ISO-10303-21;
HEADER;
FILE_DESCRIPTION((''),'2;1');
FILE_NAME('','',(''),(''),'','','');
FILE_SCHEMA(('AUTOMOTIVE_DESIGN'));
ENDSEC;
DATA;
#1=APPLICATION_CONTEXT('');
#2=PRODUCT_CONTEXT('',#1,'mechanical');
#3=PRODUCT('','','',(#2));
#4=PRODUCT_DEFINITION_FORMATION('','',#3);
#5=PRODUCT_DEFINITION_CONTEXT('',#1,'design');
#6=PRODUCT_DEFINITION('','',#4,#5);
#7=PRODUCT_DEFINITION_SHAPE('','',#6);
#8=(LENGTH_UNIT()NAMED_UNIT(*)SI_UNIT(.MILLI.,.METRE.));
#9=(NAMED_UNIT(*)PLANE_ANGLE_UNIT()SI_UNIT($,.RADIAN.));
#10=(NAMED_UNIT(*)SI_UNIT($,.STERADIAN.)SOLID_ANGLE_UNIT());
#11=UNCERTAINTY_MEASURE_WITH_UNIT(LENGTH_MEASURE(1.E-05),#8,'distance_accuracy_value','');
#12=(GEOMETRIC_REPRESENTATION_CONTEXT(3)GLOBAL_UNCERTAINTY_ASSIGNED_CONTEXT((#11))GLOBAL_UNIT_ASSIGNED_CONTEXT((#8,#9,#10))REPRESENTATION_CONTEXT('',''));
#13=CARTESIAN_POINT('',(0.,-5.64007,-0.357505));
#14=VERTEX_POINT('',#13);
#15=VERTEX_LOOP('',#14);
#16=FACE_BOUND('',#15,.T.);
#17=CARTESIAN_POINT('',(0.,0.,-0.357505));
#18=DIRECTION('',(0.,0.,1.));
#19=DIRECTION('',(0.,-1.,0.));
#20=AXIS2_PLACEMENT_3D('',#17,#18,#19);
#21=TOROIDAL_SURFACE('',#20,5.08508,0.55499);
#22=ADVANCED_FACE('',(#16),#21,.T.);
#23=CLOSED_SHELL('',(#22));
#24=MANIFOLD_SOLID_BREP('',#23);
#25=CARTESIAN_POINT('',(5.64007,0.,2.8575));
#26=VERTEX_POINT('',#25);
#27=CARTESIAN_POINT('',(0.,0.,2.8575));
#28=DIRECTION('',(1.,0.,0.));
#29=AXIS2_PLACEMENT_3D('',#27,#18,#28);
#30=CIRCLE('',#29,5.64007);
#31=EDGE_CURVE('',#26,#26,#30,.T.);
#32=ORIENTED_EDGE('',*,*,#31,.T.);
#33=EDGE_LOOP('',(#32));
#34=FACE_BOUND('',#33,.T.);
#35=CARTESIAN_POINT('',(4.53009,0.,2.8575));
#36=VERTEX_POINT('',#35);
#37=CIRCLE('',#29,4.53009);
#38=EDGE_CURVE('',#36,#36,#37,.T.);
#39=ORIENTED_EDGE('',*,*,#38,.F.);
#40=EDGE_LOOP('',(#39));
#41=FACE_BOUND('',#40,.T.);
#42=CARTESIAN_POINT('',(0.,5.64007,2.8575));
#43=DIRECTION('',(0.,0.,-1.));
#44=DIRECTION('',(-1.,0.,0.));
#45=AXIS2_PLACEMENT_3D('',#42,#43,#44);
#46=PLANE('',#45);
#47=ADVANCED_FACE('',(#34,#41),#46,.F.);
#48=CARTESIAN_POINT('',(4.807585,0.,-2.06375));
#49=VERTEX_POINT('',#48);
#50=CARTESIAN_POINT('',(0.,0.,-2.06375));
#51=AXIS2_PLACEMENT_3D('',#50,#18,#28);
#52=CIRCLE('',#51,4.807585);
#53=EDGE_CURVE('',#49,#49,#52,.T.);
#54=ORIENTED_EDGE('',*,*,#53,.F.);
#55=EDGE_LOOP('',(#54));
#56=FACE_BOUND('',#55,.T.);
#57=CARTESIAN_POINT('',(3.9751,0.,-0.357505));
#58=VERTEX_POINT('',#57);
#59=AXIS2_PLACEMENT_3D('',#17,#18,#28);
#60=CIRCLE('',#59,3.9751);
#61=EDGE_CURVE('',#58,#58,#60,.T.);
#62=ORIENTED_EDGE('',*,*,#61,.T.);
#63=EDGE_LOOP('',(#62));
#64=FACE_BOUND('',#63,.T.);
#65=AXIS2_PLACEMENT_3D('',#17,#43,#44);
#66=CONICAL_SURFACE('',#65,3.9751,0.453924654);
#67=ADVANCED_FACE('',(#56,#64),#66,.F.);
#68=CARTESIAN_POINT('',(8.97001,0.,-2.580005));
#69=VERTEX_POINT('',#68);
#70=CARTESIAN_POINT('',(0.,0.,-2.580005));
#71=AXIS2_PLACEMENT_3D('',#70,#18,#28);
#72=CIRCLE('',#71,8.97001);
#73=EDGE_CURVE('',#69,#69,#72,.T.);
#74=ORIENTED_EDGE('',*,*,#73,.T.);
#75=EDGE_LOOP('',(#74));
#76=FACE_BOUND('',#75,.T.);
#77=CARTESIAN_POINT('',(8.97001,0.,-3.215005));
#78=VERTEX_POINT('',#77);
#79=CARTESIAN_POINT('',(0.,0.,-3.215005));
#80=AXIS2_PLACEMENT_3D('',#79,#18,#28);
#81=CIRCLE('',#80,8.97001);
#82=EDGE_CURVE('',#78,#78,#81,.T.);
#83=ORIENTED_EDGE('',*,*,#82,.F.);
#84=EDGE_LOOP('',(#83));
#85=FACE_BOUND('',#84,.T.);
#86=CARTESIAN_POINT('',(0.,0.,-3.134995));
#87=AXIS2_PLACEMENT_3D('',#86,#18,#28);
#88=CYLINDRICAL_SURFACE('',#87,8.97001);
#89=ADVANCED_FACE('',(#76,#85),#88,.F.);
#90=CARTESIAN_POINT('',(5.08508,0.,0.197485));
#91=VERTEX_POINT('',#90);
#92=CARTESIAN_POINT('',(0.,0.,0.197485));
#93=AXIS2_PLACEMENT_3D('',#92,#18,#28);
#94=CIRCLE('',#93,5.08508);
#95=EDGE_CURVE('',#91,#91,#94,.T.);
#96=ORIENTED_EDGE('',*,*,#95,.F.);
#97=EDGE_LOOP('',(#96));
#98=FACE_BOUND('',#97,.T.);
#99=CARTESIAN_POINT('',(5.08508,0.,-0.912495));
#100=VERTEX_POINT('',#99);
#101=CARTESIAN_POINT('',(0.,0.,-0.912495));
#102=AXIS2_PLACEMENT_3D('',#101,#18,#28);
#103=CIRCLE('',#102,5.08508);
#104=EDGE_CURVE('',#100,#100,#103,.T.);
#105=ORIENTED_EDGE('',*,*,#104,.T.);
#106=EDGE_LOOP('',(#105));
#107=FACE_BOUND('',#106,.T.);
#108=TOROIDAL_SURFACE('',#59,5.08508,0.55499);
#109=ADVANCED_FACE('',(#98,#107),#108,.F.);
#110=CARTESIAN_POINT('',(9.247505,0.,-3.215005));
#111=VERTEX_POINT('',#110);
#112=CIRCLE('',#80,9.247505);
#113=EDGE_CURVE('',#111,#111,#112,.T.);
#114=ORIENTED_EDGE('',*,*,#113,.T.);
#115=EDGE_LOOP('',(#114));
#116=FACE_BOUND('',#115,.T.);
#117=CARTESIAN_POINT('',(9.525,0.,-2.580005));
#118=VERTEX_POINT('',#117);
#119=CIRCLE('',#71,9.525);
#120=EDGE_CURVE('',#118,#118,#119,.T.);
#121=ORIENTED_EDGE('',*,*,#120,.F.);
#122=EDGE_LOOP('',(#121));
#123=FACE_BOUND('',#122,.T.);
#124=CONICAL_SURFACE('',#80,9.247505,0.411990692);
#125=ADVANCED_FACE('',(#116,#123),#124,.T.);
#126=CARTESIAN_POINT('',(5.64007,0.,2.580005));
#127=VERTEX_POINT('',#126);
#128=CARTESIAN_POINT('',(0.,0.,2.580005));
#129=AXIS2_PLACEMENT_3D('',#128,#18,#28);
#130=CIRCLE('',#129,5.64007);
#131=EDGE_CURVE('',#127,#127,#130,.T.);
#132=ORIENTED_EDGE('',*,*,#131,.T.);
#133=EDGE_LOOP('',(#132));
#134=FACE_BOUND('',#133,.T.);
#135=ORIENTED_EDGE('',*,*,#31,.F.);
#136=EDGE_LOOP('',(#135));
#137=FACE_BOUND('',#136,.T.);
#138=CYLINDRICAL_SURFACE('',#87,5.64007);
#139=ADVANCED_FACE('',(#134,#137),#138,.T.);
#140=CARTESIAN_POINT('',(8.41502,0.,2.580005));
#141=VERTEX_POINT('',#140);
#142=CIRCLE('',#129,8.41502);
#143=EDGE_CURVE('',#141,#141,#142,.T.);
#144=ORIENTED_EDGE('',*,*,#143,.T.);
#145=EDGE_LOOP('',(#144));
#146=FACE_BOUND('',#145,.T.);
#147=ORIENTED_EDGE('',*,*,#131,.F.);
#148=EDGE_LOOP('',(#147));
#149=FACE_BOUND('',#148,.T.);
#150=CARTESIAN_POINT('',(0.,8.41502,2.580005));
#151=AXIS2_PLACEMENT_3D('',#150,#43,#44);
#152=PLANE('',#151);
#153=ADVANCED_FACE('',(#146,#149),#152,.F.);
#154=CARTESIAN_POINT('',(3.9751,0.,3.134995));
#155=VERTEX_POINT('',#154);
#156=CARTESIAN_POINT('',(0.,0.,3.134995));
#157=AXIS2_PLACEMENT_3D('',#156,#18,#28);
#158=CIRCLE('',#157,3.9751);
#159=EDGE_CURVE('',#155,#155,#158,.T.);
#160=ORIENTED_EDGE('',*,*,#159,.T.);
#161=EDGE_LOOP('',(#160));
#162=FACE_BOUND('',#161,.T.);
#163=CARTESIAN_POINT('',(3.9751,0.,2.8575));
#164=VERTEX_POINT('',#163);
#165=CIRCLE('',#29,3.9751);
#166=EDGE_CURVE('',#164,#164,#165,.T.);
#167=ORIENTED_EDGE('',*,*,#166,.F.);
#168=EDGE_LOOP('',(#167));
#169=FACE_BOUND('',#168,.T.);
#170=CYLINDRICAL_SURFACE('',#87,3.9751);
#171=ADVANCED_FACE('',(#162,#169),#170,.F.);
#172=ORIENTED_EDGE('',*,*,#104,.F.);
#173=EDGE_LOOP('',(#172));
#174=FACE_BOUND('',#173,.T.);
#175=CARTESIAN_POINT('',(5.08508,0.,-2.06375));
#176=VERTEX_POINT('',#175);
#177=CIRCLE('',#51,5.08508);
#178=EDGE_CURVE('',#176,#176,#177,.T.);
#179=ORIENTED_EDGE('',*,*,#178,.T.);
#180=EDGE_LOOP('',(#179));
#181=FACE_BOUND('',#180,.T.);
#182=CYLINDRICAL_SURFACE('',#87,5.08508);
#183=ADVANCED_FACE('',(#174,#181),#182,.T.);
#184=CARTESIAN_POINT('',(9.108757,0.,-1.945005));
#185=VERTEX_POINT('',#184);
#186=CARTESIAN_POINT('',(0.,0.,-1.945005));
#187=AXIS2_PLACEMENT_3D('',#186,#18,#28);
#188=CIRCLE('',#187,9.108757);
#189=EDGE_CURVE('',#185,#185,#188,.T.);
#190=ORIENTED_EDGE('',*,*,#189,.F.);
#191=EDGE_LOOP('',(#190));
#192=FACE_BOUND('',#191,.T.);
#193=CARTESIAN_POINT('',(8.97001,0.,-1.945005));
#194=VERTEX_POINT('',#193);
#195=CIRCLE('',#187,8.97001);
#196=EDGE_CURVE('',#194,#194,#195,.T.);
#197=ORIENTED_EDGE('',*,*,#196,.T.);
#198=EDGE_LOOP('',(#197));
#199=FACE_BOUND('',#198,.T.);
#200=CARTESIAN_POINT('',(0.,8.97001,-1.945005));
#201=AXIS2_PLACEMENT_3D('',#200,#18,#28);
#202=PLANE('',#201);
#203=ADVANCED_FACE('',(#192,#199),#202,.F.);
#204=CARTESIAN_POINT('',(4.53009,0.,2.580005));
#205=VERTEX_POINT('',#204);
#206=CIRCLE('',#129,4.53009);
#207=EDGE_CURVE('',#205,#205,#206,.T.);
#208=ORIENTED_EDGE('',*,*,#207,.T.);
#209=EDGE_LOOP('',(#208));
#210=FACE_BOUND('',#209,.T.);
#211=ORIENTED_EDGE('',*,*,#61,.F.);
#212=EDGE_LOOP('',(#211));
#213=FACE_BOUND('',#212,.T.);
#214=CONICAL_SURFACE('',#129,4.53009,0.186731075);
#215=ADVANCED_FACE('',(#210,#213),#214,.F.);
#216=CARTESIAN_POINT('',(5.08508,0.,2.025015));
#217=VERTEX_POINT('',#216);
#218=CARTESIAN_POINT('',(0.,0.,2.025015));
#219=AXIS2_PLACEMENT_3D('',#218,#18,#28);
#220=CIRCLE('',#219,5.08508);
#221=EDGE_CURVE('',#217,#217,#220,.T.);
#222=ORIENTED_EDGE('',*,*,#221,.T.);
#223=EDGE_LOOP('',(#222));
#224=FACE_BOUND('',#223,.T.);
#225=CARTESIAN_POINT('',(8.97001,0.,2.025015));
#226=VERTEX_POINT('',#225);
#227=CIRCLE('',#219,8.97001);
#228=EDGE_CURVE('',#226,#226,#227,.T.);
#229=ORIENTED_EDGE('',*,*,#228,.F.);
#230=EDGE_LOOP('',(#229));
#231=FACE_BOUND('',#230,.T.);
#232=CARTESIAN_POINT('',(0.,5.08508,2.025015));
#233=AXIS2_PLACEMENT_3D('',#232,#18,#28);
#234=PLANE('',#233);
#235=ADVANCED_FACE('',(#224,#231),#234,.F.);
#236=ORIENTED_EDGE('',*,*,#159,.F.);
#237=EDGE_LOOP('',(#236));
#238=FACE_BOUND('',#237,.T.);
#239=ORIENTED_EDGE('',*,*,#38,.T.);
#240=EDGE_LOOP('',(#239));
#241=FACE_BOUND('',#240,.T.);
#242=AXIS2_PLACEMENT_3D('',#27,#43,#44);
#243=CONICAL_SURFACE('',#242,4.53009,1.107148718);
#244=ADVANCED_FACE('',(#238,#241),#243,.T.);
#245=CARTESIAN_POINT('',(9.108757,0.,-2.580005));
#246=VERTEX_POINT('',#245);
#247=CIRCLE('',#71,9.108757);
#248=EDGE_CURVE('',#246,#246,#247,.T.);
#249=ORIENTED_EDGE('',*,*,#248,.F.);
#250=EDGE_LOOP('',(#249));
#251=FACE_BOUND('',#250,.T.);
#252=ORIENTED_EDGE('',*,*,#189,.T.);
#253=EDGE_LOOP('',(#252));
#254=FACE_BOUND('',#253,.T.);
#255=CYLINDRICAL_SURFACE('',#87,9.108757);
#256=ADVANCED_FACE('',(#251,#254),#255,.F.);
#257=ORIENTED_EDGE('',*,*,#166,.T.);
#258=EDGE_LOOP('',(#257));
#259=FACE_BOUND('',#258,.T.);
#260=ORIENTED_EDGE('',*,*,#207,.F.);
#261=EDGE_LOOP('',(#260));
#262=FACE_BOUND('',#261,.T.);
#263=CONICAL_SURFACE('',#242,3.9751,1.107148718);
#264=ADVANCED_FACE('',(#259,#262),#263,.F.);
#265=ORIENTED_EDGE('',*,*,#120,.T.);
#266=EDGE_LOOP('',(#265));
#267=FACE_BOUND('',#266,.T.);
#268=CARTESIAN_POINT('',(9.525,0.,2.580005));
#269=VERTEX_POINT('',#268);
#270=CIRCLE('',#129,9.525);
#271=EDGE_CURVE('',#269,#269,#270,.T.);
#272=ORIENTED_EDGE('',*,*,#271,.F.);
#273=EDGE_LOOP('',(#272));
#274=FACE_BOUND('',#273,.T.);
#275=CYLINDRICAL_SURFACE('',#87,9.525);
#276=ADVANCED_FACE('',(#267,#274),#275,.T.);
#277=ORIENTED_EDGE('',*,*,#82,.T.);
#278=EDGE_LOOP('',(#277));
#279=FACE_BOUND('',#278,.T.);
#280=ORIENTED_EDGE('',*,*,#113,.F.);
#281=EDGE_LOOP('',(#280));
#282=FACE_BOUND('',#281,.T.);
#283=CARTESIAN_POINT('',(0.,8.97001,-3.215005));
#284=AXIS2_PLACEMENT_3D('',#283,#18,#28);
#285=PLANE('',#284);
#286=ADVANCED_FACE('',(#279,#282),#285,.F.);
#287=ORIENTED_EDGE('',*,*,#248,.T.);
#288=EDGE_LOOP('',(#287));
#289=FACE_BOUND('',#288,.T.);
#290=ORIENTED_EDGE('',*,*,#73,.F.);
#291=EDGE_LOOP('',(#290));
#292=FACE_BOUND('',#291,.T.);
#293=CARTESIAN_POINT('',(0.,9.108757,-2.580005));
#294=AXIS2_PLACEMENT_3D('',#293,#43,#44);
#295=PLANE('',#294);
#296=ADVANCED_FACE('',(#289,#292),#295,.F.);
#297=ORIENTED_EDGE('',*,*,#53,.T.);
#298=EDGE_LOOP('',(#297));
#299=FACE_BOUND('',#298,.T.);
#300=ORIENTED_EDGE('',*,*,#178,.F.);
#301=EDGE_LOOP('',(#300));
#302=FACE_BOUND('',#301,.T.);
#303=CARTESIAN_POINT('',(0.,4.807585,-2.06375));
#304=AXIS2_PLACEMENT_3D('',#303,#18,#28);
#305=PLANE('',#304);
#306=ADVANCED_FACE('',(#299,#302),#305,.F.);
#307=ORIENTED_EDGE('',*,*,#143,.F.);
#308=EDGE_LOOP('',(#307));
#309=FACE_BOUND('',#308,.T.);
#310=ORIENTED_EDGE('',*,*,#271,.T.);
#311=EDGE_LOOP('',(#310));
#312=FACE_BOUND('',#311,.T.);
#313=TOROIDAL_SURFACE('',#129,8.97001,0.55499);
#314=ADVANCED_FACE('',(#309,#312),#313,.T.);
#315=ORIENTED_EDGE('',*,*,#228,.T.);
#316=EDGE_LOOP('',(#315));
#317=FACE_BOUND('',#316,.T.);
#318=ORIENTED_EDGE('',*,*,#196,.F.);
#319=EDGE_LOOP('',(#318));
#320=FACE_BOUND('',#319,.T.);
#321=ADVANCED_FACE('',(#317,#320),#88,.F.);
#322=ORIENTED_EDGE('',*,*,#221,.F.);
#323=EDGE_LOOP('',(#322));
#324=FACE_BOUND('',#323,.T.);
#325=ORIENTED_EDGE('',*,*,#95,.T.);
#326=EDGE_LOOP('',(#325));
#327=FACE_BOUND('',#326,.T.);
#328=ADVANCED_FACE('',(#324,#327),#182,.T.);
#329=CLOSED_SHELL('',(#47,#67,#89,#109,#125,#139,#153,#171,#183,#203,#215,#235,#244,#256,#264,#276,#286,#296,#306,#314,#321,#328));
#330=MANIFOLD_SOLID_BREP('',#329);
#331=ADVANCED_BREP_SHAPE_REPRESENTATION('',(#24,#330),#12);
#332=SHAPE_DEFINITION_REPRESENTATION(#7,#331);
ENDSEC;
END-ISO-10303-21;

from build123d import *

# Parameters (mm, degrees)
SKETCH2_R = 0.55499


with BuildPart() as part:
    # Sketch1 → Revolve1 (revolve)
    with BuildSketch(Plane(origin=(0, 0, 0), x_dir=(0, 0, -1), z_dir=(1, 0, 0))):
        with BuildLine():
            Line((-3.134995, 3.9751), (-2.8575, 3.9751))
            Line((-2.8575, 3.9751), (-2.580005, 4.53009))
            Line((-2.580005, 4.53009), (0.357505, 3.9751))
            Line((0.357505, 3.9751), (2.06375, 4.807585))
            Line((2.06375, 4.807585), (2.06375, 5.08508))
            Line((2.06375, 5.08508), (0.912495, 5.08508))
            ThreePointArc((0.912495, 5.08508), (0.357505, 4.53009), (-0.197485, 5.08508))
            Line((-0.197485, 5.08508), (-2.025015, 5.08508))
            Line((-2.025015, 5.08508), (-2.025015, 8.97001))
            Line((-2.025015, 8.97001), (1.945005, 8.97001))
            Line((1.945005, 8.97001), (1.945005, 9.1087575))
            Line((1.945005, 9.1087575), (2.580005, 9.1087575))
            Line((2.580005, 9.1087575), (2.580005, 8.97001))
            Line((2.580005, 8.97001), (3.215005, 8.97001))
            Line((3.215005, 8.97001), (3.215005, 9.247505))
            Line((3.215005, 9.247505), (2.580005, 9.525))
            Line((2.580005, 9.525), (-2.580005, 9.525))
            ThreePointArc((-2.580005, 9.525), (-3.134995, 8.97001), (-2.580005, 8.41502))
            Line((-2.580005, 8.41502), (-2.580005, 5.64007))
            Line((-2.580005, 5.64007), (-2.8575, 5.64007))
            Line((-2.8575, 5.64007), (-2.8575, 4.53009))
            Line((-2.8575, 4.53009), (-3.134995, 3.9751))
        make_face()
    revolve(axis=Axis((0, 0, -3.134995), (0, 0, 1)))


with BuildPart() as body_2:
    # Sketch2 → Revolve2 (revolve)
    with BuildSketch(Plane(origin=(0, 0, 0), x_dir=(0, 0, -1), z_dir=(1, 0, 0))):
        with Locations((0.357505, 5.08508)):
            Circle(SKETCH2_R)
    revolve(axis=Axis((0, 0, 3.134995), (0, 0, -1)))


solid = Compound([part.part, body_2.part])
